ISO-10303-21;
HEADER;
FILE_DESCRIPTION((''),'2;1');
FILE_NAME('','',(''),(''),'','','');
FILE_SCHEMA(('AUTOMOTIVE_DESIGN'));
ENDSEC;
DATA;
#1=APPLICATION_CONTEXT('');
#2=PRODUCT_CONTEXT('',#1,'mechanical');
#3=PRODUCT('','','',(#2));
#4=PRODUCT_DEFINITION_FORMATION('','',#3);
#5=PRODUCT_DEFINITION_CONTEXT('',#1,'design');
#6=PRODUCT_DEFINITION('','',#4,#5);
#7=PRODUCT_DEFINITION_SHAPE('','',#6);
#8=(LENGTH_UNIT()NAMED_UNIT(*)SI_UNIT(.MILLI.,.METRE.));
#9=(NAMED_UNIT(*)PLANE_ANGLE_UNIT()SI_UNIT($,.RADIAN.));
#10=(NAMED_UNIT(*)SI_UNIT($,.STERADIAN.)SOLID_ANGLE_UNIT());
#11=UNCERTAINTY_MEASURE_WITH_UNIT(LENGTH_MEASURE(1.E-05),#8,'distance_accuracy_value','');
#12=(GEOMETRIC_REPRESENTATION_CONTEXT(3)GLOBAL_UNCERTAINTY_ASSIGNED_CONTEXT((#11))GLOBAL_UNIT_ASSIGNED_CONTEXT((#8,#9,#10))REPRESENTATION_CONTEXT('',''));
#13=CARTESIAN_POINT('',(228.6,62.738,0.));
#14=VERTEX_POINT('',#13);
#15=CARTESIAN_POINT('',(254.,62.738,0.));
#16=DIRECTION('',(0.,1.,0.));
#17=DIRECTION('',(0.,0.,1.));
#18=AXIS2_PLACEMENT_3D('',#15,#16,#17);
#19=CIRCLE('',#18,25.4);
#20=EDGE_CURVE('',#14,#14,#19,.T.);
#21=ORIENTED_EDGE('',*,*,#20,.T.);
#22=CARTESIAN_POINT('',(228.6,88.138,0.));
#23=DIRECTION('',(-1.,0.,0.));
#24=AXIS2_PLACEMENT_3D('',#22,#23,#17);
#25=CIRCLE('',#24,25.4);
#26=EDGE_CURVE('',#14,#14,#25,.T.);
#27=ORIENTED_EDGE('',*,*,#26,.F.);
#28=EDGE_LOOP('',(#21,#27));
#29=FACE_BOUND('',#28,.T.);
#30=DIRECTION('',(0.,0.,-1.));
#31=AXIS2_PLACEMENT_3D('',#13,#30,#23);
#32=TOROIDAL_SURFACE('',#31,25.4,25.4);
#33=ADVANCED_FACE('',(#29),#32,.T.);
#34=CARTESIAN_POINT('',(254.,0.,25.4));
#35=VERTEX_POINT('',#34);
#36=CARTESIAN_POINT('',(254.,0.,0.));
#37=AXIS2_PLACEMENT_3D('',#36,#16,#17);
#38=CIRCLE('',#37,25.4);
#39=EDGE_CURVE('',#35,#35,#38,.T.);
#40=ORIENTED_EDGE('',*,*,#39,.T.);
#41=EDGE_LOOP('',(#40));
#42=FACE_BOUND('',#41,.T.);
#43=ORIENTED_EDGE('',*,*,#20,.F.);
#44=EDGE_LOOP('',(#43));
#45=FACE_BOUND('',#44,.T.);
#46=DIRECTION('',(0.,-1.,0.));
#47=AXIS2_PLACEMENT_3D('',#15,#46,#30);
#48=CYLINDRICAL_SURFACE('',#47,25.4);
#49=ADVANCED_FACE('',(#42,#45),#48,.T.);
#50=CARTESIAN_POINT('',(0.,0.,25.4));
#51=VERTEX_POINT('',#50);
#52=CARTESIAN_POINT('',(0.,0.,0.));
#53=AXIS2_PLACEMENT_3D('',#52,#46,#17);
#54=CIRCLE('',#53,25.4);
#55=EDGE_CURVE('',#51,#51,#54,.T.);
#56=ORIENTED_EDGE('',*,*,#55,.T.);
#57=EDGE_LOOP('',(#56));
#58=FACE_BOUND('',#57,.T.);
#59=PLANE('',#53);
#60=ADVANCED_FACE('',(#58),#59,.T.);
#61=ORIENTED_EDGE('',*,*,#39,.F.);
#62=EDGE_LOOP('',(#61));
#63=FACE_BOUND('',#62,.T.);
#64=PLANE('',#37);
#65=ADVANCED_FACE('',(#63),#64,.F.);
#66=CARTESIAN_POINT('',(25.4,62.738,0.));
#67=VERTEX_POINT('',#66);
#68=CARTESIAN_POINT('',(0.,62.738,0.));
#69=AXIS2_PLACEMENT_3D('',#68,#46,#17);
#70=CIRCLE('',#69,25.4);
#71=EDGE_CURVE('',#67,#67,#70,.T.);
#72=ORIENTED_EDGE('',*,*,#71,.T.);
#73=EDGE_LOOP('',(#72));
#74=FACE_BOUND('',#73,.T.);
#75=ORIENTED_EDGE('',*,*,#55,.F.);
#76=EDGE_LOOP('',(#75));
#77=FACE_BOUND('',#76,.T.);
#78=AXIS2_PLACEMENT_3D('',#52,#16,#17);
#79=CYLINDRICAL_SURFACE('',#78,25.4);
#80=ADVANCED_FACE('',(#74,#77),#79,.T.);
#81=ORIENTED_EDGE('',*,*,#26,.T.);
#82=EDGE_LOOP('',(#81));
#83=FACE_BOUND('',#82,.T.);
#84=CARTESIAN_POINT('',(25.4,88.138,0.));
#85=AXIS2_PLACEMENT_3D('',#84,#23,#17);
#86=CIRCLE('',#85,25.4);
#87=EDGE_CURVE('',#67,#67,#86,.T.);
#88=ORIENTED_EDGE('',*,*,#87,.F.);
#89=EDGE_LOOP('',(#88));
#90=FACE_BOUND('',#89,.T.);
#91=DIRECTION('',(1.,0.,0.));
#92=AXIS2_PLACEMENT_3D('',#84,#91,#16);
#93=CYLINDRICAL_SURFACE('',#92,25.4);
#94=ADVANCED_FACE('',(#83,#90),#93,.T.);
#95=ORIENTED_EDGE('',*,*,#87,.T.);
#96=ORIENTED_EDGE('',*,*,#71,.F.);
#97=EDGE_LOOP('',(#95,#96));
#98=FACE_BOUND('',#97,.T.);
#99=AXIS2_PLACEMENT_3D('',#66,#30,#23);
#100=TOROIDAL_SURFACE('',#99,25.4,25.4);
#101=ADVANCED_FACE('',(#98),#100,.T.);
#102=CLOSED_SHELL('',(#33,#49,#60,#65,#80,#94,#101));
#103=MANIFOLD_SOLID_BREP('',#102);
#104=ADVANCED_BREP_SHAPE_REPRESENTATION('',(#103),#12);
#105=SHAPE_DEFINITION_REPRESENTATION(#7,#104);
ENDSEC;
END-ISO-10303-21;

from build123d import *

# Parameters (mm, degrees)
SWEEP5_PROFILE_R = 25.4


with BuildPart() as part:
    # Sweep5: sweep along a path in Sketch1
    with BuildLine(Plane.XY) as sweep5_path:
        Line((0, 0), (0, 62.738))
        ThreePointArc((0, 62.738), (7.439487758, 80.698512242), (25.4, 88.138))
        Line((25.4, 88.138), (228.6, 88.138))
        ThreePointArc((228.6, 88.138), (246.560512242, 80.698512242), (254, 62.738))
        Line((254, 62.738), (254, 0))
    # Sweep5 profile (on start of the path) → Sweep5 (sweep)
    with BuildSketch(Plane.ZX):
        Circle(SWEEP5_PROFILE_R)
    sweep(path=sweep5_path.line)


solid = part.part
